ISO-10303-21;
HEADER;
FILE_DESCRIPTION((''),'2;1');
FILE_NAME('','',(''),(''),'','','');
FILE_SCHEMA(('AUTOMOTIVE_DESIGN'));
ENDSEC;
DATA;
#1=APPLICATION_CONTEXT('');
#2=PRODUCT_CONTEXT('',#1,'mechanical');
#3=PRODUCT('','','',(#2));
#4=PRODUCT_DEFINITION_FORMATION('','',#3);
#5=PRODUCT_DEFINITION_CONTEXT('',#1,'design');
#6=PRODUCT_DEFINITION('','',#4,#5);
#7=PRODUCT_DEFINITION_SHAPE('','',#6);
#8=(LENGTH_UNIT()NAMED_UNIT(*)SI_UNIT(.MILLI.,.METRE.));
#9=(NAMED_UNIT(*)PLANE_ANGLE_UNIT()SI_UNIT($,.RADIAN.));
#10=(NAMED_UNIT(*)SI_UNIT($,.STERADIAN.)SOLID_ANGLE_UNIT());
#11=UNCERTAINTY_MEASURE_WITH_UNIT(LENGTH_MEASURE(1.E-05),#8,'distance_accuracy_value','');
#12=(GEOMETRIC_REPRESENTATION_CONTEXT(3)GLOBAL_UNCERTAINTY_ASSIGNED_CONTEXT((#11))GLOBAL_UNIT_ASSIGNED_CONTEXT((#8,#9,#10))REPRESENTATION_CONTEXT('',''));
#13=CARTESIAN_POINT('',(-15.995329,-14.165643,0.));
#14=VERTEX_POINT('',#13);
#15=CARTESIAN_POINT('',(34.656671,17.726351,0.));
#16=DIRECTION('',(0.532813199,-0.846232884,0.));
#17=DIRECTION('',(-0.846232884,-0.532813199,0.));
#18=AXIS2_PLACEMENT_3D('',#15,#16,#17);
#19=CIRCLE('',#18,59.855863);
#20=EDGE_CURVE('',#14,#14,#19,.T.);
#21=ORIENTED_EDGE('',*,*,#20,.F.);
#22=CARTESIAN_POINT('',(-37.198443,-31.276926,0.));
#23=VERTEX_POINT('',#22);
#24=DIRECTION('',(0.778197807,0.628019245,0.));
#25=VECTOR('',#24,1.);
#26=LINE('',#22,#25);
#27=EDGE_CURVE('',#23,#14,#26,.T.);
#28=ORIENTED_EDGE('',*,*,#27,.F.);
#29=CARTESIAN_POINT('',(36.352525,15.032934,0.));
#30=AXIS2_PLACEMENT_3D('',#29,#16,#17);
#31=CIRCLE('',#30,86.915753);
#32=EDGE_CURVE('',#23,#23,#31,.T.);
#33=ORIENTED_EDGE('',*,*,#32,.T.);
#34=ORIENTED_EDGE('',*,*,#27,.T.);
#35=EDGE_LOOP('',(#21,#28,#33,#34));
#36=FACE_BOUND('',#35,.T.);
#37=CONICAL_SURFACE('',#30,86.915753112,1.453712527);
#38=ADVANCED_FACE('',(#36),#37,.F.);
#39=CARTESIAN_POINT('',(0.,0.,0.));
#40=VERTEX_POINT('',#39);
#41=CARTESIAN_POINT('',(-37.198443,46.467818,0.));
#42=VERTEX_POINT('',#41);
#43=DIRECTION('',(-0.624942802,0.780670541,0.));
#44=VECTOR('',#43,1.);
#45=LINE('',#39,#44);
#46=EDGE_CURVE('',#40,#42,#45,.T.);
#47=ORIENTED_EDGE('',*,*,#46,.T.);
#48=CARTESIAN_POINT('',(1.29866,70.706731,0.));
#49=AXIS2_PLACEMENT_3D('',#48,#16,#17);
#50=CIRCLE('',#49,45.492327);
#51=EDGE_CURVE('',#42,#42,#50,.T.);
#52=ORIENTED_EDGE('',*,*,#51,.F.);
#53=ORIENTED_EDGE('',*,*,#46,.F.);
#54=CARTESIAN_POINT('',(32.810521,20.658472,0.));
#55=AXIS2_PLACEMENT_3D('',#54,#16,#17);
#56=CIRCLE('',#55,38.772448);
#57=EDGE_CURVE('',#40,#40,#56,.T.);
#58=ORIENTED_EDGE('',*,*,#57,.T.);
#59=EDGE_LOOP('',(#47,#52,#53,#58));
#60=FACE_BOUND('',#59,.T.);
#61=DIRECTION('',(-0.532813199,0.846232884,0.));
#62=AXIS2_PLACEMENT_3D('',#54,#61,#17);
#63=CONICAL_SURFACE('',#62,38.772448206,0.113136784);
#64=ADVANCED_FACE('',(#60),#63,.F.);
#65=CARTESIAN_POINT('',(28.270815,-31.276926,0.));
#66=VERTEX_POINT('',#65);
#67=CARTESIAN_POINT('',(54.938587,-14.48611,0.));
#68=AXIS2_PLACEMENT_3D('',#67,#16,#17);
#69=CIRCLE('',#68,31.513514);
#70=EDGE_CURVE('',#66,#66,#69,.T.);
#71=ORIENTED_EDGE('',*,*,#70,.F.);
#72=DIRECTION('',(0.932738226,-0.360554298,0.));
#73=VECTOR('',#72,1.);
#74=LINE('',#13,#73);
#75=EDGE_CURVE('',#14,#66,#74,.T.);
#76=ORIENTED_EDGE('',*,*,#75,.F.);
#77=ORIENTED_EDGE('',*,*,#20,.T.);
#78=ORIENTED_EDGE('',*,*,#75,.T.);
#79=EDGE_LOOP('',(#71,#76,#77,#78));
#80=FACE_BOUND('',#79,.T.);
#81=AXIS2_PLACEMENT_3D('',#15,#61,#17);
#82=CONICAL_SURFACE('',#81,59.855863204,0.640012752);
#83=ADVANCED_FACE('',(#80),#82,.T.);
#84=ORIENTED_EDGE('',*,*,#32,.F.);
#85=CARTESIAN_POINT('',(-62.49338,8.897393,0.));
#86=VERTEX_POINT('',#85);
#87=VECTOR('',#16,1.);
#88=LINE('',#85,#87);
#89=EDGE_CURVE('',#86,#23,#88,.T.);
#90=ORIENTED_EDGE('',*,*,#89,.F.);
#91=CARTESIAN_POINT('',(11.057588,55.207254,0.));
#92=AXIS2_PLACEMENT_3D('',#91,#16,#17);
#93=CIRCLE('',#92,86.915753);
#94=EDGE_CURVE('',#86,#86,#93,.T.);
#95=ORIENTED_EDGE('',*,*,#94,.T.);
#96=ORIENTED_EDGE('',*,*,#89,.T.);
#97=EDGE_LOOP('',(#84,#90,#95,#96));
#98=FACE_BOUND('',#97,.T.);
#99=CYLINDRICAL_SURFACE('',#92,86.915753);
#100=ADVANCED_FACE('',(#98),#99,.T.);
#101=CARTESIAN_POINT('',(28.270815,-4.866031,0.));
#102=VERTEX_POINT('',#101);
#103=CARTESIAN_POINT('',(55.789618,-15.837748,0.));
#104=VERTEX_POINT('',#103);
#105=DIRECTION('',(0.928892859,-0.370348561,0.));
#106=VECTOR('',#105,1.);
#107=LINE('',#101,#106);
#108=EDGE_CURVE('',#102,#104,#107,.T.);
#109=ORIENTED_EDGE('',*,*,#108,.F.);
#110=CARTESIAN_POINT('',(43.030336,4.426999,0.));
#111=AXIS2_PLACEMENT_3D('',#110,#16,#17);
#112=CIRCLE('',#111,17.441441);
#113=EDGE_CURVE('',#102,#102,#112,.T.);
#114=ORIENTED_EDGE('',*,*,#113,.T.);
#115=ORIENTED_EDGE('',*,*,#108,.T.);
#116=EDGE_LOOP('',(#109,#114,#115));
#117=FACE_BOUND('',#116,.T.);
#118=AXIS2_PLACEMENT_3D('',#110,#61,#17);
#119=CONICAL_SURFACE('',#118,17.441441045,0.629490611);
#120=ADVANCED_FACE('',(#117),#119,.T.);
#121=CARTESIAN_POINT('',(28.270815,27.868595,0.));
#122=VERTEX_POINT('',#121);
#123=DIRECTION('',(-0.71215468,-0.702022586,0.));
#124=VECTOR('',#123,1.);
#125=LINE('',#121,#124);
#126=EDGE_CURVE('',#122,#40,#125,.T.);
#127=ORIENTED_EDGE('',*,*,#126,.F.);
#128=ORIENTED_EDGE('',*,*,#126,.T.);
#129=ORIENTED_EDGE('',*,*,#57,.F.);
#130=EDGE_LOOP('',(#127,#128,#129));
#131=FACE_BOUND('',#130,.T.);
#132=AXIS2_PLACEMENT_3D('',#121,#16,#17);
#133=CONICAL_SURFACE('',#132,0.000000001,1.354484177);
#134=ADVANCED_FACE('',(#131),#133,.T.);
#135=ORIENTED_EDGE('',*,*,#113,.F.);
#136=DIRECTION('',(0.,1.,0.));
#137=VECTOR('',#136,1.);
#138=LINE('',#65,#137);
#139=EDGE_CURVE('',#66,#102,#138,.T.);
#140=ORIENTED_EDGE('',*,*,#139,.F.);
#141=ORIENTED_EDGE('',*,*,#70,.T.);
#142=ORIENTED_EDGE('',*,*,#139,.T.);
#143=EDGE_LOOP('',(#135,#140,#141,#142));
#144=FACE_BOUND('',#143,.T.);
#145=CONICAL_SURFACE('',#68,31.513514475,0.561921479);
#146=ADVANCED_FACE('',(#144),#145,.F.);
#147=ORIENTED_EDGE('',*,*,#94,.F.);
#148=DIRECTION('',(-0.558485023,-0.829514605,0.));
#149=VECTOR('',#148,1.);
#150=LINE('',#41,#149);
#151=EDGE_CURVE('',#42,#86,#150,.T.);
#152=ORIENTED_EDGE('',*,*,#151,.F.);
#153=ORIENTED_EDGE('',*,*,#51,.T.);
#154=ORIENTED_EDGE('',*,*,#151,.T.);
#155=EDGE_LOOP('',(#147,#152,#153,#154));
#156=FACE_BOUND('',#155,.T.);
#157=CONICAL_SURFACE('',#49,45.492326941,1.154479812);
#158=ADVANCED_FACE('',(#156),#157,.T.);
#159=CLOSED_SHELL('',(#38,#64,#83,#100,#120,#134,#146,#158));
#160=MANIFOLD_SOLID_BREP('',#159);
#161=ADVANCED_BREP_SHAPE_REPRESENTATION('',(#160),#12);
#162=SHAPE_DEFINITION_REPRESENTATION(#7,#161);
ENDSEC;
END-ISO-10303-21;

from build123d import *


with BuildPart() as f1:
    # F0 (on Top) → F1 (revolve)
    with BuildSketch(Plane.XY):
        Polygon((28.2708145678, 27.8685949743), (0, 0), (-37.1984429657, 46.4678183198), (-62.4933801591, 8.8973930106), (-37.1984429657, -31.2769263983), (-15.9953292459, -14.1656426713), (28.2708145678, -31.2769263983), (28.2708145678, -4.8660314642), (55.7896181574, -15.8377481846), align=None)
    revolve(axis=Axis((42.0302163626, 6.0154233948, 0), (0.5328131994, -0.8462328843, 0)))


solid = f1.part
